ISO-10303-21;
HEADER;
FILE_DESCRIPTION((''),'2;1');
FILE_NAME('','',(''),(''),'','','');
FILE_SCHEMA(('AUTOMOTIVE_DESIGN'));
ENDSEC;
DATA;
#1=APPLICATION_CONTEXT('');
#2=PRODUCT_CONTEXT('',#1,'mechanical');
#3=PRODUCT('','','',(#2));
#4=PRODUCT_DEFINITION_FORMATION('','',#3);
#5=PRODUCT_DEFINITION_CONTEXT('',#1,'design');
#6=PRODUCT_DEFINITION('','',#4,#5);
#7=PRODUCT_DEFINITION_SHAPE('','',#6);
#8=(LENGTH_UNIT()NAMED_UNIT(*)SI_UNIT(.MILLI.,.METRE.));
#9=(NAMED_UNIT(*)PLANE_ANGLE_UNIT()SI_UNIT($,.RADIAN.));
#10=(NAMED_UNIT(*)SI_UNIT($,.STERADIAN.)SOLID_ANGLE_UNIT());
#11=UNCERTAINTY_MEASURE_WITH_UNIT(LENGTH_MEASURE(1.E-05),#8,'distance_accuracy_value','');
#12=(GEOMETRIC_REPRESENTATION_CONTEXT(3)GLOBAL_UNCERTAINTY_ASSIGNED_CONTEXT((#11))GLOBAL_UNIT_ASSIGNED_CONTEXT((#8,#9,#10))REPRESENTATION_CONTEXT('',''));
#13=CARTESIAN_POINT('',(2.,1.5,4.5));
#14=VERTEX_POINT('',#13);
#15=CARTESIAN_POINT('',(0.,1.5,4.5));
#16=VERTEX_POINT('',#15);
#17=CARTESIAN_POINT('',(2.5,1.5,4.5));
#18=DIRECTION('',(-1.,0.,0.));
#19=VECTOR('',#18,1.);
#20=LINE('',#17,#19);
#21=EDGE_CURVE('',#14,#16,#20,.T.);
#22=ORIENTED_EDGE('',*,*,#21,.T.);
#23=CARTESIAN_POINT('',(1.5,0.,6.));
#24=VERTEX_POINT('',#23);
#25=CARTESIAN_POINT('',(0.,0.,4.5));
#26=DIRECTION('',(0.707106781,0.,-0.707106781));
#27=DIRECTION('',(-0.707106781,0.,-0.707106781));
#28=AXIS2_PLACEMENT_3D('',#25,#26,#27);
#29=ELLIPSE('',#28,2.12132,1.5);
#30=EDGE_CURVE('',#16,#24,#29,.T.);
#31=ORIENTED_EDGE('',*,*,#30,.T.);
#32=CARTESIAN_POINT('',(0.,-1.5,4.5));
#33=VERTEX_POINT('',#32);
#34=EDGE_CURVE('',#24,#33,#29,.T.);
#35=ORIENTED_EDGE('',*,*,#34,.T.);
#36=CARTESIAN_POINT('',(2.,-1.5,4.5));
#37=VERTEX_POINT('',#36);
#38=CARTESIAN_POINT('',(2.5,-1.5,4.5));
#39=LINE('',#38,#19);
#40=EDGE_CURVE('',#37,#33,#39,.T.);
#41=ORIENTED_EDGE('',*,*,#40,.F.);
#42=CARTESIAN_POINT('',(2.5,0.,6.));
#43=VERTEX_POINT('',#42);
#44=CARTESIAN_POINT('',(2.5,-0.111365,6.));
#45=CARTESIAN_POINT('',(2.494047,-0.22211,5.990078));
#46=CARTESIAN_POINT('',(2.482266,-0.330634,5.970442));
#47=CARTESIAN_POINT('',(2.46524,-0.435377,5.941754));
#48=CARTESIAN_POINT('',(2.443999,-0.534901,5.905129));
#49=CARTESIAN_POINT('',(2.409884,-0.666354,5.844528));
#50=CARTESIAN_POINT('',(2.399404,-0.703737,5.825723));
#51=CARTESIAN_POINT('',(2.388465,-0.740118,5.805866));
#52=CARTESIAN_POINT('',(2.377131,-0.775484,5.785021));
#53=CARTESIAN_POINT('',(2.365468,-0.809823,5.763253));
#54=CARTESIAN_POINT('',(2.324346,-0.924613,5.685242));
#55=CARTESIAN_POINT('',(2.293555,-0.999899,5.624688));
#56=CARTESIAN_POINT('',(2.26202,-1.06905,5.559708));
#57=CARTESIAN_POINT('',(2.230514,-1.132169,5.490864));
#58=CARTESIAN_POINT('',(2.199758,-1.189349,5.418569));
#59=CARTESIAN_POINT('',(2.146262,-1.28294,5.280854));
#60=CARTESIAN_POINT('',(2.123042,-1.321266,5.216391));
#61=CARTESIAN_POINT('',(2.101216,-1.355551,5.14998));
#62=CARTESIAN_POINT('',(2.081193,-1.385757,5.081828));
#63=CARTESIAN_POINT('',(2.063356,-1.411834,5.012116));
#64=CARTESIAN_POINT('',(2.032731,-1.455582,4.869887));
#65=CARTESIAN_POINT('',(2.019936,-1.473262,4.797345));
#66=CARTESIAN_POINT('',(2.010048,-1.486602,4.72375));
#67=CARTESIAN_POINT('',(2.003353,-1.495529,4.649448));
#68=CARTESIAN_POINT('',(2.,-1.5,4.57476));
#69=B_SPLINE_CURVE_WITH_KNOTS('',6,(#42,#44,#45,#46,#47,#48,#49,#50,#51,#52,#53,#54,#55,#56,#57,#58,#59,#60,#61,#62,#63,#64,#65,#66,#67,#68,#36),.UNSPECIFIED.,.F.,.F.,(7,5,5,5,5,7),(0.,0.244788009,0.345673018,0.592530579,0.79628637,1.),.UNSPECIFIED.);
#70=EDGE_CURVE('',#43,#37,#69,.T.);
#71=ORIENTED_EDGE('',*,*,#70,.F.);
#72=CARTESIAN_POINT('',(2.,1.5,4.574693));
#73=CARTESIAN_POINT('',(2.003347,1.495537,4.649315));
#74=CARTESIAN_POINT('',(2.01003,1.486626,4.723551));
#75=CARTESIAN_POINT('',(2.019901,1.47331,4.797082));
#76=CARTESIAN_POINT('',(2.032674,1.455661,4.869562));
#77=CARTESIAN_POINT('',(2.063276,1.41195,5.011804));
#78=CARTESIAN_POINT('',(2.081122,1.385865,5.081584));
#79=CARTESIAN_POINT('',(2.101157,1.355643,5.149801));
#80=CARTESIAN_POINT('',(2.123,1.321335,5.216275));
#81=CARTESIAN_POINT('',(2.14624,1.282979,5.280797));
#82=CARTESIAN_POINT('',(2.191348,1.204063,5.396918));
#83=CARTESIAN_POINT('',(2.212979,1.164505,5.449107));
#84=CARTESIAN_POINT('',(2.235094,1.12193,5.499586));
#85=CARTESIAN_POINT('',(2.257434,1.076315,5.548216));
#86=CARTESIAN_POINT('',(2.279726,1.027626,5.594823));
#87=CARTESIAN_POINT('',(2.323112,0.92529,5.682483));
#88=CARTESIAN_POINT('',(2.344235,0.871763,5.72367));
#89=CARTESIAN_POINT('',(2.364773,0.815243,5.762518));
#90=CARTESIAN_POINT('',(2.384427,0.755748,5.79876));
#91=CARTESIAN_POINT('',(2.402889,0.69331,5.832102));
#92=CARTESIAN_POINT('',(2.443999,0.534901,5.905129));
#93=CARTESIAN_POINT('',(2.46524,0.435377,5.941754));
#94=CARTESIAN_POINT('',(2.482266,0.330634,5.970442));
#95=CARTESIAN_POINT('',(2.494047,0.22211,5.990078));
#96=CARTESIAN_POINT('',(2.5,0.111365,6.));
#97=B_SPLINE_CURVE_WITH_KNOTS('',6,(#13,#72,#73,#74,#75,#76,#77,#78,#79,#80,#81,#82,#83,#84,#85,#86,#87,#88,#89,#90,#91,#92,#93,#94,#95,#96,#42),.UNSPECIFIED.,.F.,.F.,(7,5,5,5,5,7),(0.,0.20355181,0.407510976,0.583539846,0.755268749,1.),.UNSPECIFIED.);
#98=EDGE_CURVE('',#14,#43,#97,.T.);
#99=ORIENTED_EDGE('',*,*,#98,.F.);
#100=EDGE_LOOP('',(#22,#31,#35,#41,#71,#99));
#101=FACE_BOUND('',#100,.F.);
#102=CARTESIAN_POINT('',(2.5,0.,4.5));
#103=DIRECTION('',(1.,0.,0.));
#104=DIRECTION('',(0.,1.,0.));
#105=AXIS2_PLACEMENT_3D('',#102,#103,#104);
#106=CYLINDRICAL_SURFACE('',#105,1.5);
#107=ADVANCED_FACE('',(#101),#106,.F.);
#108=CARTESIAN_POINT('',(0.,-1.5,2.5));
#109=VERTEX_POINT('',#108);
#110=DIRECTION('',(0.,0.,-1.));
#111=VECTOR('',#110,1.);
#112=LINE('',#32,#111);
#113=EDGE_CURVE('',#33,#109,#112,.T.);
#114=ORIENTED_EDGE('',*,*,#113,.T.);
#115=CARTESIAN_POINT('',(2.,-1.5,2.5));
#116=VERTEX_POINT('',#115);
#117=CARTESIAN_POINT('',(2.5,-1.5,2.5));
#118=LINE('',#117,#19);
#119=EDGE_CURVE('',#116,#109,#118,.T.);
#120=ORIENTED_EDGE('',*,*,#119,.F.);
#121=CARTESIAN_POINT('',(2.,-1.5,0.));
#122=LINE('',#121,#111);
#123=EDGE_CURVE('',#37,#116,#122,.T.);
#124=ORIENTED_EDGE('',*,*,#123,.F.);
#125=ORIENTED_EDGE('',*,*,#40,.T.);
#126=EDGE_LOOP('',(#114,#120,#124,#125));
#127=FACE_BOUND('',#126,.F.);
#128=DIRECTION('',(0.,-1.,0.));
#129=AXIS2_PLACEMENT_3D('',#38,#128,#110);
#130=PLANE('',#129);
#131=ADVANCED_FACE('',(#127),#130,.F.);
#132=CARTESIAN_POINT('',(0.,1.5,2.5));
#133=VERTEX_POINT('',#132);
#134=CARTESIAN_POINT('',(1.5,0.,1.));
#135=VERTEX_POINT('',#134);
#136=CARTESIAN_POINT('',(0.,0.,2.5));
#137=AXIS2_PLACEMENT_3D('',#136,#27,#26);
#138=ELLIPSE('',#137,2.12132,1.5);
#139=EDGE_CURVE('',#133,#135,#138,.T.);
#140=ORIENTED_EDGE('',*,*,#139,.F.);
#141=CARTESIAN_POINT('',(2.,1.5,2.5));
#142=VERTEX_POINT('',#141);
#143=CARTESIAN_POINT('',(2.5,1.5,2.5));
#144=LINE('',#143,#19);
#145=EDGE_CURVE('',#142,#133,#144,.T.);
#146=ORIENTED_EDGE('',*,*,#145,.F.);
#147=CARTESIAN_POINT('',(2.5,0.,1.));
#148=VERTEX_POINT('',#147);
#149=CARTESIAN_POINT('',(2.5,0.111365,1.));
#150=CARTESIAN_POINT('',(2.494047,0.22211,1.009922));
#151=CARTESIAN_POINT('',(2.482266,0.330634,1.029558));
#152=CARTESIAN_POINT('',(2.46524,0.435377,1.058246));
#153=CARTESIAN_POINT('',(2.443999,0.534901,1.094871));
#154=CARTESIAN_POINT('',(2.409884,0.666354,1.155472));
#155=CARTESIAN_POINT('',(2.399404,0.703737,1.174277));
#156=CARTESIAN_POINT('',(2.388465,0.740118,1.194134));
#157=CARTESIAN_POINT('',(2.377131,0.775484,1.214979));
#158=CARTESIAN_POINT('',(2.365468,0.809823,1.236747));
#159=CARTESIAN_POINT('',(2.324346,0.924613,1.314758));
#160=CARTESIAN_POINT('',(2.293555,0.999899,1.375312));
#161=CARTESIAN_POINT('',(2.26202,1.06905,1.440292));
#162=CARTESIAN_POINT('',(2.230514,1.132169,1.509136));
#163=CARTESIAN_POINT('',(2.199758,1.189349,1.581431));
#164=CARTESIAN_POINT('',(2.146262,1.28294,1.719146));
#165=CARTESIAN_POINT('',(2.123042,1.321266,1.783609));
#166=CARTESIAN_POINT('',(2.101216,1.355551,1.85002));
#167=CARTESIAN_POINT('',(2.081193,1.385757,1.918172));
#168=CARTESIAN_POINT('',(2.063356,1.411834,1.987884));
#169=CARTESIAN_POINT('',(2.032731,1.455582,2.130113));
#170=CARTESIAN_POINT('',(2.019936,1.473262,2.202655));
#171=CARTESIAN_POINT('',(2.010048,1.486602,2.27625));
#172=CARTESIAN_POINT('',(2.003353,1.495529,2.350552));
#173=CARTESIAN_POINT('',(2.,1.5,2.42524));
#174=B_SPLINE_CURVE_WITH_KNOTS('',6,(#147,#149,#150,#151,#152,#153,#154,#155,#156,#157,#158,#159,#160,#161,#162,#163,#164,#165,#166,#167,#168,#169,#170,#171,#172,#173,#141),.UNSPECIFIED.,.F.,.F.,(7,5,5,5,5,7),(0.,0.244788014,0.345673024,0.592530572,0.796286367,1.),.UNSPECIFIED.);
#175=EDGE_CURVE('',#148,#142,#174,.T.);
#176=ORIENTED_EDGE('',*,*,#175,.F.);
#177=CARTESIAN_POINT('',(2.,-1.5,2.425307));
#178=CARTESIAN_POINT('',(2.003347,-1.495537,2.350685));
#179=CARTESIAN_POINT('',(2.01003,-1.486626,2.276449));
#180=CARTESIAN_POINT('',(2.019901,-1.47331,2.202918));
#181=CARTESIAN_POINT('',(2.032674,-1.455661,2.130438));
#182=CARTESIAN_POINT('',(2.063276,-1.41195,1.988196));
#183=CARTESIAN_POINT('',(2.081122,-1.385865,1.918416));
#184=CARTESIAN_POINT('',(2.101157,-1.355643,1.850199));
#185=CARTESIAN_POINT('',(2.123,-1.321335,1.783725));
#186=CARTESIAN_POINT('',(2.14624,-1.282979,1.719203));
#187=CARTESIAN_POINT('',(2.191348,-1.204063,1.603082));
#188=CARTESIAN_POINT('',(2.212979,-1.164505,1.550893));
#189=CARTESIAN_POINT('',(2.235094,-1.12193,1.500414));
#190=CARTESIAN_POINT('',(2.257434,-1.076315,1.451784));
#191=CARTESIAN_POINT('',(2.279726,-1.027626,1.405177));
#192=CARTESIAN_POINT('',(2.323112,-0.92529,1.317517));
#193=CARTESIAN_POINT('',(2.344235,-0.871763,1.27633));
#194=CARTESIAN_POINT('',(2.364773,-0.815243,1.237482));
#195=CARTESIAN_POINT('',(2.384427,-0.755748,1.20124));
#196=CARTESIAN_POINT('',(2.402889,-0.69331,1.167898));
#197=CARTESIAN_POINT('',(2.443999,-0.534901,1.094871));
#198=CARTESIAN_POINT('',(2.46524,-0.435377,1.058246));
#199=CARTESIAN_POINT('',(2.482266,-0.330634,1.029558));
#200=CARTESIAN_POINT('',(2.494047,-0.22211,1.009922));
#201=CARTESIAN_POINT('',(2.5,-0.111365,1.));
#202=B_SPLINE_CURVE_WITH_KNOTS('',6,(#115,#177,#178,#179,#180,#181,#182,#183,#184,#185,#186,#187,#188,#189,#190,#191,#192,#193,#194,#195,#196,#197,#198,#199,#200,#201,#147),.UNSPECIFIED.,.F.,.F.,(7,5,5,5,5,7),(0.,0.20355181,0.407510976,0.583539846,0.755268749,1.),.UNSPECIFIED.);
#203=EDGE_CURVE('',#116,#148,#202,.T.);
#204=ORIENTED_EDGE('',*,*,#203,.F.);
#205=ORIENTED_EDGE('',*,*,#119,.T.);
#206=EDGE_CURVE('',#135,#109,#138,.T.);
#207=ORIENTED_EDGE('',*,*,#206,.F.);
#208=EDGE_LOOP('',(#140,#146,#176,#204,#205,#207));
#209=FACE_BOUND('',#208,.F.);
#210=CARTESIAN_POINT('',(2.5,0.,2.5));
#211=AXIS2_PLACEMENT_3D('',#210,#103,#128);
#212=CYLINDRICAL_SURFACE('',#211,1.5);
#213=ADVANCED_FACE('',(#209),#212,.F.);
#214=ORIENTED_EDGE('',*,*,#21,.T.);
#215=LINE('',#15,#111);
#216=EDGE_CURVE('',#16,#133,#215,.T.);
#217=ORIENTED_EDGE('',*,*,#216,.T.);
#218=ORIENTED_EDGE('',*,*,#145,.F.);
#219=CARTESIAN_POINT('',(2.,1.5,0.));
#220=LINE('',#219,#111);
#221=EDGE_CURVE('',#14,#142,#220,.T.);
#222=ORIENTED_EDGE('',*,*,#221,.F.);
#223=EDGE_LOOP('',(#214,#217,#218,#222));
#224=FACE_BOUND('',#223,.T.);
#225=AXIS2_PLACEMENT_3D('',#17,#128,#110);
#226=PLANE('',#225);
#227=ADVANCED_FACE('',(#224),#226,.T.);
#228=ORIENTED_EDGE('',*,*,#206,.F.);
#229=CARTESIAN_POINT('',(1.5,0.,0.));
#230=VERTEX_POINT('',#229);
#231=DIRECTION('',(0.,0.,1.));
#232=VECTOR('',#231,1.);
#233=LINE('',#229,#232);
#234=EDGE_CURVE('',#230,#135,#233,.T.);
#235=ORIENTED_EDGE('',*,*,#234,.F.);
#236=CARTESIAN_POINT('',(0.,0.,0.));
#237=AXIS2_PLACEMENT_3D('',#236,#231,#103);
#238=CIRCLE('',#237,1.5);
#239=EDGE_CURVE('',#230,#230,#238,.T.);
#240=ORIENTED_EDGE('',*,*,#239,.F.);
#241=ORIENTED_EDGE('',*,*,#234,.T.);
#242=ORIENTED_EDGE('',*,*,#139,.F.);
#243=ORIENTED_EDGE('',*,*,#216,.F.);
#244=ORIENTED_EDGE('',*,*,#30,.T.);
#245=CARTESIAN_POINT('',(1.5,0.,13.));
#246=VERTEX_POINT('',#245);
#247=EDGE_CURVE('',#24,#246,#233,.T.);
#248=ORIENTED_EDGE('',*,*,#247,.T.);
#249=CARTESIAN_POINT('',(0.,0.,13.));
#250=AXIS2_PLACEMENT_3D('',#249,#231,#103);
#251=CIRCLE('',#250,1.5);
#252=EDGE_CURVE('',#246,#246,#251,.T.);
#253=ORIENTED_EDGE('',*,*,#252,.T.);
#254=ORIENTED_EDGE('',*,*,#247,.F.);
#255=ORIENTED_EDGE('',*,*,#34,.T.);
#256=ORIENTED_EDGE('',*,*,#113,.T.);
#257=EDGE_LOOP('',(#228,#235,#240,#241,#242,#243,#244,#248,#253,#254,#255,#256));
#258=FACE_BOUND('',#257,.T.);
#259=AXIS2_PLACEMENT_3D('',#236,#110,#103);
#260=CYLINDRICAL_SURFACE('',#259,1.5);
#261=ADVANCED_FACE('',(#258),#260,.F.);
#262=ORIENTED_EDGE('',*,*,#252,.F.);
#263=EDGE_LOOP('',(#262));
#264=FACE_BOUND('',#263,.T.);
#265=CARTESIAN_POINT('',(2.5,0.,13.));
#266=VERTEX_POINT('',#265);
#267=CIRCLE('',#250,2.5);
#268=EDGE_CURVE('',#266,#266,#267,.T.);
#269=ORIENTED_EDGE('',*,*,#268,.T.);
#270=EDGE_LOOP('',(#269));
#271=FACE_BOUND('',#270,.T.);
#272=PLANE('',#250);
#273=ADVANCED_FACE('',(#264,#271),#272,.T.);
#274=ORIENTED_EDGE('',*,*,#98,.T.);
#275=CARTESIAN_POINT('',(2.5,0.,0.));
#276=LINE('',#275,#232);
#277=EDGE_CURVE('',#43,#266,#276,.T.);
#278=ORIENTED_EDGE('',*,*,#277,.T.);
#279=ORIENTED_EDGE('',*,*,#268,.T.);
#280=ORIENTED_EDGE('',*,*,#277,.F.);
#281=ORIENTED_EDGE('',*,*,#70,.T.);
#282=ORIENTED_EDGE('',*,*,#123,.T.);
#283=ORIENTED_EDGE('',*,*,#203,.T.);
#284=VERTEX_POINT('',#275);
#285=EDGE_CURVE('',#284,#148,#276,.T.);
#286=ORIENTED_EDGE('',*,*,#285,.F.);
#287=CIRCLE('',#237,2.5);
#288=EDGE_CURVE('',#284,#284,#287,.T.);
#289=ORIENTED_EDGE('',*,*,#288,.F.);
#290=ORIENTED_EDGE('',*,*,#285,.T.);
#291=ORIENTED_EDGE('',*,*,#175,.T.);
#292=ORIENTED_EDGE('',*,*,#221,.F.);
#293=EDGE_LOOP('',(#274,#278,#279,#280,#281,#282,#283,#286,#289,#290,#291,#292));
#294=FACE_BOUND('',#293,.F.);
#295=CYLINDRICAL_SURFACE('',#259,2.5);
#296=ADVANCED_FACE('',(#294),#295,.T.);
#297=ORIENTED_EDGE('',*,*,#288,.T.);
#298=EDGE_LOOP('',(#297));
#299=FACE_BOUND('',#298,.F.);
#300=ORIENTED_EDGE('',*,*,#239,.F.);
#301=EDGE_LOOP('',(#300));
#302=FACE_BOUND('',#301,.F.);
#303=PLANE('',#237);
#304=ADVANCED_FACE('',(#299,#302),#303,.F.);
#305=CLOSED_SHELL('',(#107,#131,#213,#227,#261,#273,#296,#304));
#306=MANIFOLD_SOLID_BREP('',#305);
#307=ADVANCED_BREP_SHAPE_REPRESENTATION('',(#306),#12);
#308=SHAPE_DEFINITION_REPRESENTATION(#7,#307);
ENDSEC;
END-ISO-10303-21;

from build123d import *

# Parameters (mm, degrees)
SKETCH_R     = 2.5
SKETCH_R_2   = 1.5
PAD_DEPTH    = 13
POCKET_DEPTH = 2.5


with BuildPart() as part:
    # Sketch → Pad (new body)
    with BuildSketch(Plane.XY):
        Circle(SKETCH_R)
        Circle(SKETCH_R_2, mode=Mode.SUBTRACT)
    extrude(amount=PAD_DEPTH)

    # Sketch001 (on DatumPlane) → Pocket (cut)
    with BuildSketch(Plane.YZ.offset(2.5)):
        with BuildLine():
            ThreePointArc((1.5, 4.5), (0, 6), (-1.5, 4.5))
            Line((-1.5, 4.5), (-1.5, 2.5))
            ThreePointArc((-1.5, 2.5), (0, 1), (1.5, 2.5))
            Line((1.5, 4.5), (1.5, 2.5))
        make_face()
    extrude(amount=-POCKET_DEPTH, mode=Mode.SUBTRACT)


solid = part.part
